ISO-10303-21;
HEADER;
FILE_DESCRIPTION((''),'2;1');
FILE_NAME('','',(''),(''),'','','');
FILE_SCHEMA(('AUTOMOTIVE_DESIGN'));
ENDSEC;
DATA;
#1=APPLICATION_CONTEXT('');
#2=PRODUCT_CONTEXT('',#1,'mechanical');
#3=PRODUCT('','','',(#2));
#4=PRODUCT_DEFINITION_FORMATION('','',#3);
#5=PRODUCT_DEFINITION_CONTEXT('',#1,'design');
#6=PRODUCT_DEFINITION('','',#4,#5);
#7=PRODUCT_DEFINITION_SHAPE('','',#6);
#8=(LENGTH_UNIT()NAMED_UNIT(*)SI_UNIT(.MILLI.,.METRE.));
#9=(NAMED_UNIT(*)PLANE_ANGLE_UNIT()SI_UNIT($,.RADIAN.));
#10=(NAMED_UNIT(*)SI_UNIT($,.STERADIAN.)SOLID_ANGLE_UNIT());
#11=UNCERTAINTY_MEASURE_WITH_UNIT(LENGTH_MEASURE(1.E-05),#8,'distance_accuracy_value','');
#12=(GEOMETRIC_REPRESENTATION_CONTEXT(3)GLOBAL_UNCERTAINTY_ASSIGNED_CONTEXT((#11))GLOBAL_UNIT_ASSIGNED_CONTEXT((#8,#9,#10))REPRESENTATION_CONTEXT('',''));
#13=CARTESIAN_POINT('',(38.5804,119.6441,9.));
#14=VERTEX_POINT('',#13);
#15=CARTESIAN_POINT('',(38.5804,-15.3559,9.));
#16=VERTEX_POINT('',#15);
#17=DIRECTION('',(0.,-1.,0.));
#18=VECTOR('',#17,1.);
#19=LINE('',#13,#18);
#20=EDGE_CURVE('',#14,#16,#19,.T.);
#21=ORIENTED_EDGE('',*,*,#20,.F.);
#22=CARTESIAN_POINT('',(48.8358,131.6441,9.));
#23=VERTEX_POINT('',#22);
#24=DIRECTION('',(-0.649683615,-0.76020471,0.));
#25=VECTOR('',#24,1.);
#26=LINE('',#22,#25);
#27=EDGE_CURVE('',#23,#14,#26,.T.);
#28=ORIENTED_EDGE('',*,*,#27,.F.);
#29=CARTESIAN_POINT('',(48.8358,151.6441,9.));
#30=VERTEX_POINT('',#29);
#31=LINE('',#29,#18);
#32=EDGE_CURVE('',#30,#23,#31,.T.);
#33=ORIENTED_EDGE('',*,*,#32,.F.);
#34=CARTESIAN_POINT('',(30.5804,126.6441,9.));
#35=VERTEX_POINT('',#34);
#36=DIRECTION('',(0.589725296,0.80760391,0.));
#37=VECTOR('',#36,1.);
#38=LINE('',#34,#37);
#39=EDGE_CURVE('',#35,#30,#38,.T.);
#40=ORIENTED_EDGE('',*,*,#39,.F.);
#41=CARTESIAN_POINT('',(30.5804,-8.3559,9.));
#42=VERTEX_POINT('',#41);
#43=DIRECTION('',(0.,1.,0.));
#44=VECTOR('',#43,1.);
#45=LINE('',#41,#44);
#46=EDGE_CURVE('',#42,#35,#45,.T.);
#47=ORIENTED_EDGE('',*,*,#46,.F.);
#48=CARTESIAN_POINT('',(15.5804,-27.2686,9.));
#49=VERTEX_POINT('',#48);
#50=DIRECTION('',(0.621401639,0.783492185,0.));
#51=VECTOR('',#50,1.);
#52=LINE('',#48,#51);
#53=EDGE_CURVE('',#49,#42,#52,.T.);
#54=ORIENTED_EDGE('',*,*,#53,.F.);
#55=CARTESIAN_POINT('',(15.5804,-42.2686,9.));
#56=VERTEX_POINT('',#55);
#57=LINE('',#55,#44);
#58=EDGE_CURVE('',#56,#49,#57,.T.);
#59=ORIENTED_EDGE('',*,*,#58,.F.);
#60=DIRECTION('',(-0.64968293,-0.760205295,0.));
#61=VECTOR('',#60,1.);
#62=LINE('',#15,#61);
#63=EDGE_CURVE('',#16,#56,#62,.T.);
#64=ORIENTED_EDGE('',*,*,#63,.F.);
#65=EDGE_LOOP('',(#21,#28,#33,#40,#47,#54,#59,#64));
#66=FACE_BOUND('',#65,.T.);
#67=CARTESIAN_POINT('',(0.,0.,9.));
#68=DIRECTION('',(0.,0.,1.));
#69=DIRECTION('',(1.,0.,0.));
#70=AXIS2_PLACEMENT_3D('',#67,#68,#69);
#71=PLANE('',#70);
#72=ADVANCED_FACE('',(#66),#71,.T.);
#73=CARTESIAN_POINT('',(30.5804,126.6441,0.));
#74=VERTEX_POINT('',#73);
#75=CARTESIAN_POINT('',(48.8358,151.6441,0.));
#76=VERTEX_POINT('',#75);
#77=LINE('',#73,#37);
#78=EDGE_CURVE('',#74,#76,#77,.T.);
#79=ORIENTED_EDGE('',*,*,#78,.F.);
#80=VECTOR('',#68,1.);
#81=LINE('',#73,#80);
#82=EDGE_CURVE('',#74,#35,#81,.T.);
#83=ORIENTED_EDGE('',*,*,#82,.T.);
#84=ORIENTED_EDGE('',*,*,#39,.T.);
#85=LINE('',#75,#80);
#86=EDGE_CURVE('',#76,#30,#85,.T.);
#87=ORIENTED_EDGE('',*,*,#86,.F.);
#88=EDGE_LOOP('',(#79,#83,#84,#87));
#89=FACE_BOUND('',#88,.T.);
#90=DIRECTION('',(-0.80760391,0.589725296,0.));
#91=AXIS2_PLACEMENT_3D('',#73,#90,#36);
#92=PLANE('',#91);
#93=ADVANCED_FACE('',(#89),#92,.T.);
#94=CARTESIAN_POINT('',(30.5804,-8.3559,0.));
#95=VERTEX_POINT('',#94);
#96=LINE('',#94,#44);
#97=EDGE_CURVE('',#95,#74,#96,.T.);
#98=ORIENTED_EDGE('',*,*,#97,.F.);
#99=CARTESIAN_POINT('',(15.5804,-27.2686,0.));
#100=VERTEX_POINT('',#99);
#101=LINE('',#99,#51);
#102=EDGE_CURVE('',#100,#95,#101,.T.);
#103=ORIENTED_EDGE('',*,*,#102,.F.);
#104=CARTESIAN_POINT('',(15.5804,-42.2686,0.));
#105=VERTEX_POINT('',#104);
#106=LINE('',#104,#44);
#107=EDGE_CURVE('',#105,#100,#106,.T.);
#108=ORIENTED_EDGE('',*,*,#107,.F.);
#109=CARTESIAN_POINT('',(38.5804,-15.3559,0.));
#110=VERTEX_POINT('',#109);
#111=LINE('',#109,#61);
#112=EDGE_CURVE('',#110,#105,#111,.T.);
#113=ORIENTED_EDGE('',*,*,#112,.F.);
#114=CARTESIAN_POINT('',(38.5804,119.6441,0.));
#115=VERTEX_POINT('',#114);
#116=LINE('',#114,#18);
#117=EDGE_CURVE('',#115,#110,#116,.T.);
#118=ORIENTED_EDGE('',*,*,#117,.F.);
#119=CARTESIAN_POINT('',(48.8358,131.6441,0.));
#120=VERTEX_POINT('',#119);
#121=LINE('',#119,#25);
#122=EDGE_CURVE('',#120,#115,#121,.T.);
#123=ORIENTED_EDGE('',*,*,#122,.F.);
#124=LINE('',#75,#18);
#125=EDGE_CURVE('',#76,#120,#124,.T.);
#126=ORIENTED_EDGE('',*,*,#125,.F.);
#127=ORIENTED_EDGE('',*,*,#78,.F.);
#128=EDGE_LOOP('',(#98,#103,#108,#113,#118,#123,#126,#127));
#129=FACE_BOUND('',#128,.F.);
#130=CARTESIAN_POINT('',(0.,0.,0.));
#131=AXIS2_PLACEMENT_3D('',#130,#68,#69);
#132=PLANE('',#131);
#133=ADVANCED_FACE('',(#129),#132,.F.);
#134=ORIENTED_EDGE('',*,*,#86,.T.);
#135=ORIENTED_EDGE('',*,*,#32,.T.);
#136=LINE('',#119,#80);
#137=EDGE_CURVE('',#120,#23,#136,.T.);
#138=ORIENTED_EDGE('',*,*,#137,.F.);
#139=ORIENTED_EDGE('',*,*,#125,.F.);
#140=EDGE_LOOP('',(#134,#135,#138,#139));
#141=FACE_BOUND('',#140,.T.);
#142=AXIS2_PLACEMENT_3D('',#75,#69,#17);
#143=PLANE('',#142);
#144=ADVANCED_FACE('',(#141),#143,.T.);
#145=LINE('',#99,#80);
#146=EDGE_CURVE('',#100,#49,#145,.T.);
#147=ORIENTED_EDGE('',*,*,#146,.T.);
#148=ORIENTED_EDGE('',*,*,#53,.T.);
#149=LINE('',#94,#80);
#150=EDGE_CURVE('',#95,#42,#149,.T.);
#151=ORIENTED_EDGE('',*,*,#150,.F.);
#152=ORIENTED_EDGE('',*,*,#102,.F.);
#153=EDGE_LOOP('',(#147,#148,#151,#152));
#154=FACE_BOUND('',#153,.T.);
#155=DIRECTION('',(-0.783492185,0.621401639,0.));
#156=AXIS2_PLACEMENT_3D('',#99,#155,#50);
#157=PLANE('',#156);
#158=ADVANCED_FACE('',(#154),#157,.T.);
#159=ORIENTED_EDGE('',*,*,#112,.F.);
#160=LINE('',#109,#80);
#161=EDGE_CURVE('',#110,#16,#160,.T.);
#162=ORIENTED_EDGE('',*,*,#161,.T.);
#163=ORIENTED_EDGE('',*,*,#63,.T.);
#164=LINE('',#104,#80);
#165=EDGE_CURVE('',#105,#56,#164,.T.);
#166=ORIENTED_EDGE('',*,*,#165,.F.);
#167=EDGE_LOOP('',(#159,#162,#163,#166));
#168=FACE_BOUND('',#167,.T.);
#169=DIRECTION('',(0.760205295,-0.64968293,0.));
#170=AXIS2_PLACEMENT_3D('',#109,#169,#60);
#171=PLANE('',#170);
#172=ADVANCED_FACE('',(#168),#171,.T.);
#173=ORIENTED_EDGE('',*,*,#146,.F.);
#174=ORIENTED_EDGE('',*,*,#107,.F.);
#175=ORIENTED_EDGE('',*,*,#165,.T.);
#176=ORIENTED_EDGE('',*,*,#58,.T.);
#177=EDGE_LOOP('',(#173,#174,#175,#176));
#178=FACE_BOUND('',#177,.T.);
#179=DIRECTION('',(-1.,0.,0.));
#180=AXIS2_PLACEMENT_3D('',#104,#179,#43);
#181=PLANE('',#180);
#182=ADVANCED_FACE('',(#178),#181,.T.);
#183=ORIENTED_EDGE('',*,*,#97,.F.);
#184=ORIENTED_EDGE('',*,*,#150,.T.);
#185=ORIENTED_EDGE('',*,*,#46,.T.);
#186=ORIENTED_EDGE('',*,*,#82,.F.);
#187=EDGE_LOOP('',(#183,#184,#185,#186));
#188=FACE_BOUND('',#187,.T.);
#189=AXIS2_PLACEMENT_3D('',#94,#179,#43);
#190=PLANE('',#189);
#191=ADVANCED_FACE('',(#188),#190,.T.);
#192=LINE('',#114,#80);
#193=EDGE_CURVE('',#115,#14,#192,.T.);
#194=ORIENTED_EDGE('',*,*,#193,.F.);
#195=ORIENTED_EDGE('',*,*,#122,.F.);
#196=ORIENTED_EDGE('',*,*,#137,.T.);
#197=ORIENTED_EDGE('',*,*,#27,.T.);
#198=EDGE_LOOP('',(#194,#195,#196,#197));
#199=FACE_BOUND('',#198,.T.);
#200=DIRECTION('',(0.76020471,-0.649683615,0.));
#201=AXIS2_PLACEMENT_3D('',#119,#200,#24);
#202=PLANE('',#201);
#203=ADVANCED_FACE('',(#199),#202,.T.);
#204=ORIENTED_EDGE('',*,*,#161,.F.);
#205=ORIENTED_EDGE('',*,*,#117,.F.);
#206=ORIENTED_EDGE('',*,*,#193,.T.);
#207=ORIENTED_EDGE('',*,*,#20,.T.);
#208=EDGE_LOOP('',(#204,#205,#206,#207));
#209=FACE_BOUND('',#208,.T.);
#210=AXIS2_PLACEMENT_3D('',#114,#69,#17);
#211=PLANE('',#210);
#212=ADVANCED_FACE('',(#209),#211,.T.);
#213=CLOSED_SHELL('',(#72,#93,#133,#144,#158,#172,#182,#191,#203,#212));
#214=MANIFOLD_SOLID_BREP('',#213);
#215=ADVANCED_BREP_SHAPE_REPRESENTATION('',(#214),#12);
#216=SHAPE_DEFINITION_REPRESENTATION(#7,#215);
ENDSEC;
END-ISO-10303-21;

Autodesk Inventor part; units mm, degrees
ref_plane "YZ Plane" through (0, 0, 0) normal (1, 0, 0) x (0, 1, 0)
ref_plane "XZ Plane" through (0, 0, 0) normal (0, 1, 0) x (-1, 0, 0)
ref_plane "XY Plane" through (0, 0, 0) normal (0, 0, 1) x (1, 0, 0)
sketch "Esquisse1" plane through (0, 0, 0) normal (0, 0, 1) x (1, 0, 0)
  line L0 (15.5804, -42.2686) -> (15.5804, -27.2686)
  line L1 (15.5804, -27.2686) -> (30.5804, -8.3559)
  line L2 (30.5804, -8.3559) -> (30.5804, 126.6441)
  line L3 (48.8358, 151.6441) -> (48.8358, 131.6441)
  line L4 (48.8358, 131.6441) -> (38.5804, 119.6441)
  line L5 (38.5804, 119.6441) -> (38.5804, -15.3559)
  line L6 (38.5804, -15.3559) -> (15.5804, -42.2686)
  line L7 (30.5804, 126.6441) -> (48.8358, 151.6441)
  point P0 (0, 0)
  dimension "d0" = 135
  dimension "d1" = 135
  dimension "d2" = 15
  dimension "d3" = 20
  dimension "d4" = 23
  dimension "d5" = 15
  dimension "d6" = 25
  dimension "d7" = 12
extrude "Extrusion1" add sketch "Esquisse1" along normal blind 9
properties part number "Mannettev2"
